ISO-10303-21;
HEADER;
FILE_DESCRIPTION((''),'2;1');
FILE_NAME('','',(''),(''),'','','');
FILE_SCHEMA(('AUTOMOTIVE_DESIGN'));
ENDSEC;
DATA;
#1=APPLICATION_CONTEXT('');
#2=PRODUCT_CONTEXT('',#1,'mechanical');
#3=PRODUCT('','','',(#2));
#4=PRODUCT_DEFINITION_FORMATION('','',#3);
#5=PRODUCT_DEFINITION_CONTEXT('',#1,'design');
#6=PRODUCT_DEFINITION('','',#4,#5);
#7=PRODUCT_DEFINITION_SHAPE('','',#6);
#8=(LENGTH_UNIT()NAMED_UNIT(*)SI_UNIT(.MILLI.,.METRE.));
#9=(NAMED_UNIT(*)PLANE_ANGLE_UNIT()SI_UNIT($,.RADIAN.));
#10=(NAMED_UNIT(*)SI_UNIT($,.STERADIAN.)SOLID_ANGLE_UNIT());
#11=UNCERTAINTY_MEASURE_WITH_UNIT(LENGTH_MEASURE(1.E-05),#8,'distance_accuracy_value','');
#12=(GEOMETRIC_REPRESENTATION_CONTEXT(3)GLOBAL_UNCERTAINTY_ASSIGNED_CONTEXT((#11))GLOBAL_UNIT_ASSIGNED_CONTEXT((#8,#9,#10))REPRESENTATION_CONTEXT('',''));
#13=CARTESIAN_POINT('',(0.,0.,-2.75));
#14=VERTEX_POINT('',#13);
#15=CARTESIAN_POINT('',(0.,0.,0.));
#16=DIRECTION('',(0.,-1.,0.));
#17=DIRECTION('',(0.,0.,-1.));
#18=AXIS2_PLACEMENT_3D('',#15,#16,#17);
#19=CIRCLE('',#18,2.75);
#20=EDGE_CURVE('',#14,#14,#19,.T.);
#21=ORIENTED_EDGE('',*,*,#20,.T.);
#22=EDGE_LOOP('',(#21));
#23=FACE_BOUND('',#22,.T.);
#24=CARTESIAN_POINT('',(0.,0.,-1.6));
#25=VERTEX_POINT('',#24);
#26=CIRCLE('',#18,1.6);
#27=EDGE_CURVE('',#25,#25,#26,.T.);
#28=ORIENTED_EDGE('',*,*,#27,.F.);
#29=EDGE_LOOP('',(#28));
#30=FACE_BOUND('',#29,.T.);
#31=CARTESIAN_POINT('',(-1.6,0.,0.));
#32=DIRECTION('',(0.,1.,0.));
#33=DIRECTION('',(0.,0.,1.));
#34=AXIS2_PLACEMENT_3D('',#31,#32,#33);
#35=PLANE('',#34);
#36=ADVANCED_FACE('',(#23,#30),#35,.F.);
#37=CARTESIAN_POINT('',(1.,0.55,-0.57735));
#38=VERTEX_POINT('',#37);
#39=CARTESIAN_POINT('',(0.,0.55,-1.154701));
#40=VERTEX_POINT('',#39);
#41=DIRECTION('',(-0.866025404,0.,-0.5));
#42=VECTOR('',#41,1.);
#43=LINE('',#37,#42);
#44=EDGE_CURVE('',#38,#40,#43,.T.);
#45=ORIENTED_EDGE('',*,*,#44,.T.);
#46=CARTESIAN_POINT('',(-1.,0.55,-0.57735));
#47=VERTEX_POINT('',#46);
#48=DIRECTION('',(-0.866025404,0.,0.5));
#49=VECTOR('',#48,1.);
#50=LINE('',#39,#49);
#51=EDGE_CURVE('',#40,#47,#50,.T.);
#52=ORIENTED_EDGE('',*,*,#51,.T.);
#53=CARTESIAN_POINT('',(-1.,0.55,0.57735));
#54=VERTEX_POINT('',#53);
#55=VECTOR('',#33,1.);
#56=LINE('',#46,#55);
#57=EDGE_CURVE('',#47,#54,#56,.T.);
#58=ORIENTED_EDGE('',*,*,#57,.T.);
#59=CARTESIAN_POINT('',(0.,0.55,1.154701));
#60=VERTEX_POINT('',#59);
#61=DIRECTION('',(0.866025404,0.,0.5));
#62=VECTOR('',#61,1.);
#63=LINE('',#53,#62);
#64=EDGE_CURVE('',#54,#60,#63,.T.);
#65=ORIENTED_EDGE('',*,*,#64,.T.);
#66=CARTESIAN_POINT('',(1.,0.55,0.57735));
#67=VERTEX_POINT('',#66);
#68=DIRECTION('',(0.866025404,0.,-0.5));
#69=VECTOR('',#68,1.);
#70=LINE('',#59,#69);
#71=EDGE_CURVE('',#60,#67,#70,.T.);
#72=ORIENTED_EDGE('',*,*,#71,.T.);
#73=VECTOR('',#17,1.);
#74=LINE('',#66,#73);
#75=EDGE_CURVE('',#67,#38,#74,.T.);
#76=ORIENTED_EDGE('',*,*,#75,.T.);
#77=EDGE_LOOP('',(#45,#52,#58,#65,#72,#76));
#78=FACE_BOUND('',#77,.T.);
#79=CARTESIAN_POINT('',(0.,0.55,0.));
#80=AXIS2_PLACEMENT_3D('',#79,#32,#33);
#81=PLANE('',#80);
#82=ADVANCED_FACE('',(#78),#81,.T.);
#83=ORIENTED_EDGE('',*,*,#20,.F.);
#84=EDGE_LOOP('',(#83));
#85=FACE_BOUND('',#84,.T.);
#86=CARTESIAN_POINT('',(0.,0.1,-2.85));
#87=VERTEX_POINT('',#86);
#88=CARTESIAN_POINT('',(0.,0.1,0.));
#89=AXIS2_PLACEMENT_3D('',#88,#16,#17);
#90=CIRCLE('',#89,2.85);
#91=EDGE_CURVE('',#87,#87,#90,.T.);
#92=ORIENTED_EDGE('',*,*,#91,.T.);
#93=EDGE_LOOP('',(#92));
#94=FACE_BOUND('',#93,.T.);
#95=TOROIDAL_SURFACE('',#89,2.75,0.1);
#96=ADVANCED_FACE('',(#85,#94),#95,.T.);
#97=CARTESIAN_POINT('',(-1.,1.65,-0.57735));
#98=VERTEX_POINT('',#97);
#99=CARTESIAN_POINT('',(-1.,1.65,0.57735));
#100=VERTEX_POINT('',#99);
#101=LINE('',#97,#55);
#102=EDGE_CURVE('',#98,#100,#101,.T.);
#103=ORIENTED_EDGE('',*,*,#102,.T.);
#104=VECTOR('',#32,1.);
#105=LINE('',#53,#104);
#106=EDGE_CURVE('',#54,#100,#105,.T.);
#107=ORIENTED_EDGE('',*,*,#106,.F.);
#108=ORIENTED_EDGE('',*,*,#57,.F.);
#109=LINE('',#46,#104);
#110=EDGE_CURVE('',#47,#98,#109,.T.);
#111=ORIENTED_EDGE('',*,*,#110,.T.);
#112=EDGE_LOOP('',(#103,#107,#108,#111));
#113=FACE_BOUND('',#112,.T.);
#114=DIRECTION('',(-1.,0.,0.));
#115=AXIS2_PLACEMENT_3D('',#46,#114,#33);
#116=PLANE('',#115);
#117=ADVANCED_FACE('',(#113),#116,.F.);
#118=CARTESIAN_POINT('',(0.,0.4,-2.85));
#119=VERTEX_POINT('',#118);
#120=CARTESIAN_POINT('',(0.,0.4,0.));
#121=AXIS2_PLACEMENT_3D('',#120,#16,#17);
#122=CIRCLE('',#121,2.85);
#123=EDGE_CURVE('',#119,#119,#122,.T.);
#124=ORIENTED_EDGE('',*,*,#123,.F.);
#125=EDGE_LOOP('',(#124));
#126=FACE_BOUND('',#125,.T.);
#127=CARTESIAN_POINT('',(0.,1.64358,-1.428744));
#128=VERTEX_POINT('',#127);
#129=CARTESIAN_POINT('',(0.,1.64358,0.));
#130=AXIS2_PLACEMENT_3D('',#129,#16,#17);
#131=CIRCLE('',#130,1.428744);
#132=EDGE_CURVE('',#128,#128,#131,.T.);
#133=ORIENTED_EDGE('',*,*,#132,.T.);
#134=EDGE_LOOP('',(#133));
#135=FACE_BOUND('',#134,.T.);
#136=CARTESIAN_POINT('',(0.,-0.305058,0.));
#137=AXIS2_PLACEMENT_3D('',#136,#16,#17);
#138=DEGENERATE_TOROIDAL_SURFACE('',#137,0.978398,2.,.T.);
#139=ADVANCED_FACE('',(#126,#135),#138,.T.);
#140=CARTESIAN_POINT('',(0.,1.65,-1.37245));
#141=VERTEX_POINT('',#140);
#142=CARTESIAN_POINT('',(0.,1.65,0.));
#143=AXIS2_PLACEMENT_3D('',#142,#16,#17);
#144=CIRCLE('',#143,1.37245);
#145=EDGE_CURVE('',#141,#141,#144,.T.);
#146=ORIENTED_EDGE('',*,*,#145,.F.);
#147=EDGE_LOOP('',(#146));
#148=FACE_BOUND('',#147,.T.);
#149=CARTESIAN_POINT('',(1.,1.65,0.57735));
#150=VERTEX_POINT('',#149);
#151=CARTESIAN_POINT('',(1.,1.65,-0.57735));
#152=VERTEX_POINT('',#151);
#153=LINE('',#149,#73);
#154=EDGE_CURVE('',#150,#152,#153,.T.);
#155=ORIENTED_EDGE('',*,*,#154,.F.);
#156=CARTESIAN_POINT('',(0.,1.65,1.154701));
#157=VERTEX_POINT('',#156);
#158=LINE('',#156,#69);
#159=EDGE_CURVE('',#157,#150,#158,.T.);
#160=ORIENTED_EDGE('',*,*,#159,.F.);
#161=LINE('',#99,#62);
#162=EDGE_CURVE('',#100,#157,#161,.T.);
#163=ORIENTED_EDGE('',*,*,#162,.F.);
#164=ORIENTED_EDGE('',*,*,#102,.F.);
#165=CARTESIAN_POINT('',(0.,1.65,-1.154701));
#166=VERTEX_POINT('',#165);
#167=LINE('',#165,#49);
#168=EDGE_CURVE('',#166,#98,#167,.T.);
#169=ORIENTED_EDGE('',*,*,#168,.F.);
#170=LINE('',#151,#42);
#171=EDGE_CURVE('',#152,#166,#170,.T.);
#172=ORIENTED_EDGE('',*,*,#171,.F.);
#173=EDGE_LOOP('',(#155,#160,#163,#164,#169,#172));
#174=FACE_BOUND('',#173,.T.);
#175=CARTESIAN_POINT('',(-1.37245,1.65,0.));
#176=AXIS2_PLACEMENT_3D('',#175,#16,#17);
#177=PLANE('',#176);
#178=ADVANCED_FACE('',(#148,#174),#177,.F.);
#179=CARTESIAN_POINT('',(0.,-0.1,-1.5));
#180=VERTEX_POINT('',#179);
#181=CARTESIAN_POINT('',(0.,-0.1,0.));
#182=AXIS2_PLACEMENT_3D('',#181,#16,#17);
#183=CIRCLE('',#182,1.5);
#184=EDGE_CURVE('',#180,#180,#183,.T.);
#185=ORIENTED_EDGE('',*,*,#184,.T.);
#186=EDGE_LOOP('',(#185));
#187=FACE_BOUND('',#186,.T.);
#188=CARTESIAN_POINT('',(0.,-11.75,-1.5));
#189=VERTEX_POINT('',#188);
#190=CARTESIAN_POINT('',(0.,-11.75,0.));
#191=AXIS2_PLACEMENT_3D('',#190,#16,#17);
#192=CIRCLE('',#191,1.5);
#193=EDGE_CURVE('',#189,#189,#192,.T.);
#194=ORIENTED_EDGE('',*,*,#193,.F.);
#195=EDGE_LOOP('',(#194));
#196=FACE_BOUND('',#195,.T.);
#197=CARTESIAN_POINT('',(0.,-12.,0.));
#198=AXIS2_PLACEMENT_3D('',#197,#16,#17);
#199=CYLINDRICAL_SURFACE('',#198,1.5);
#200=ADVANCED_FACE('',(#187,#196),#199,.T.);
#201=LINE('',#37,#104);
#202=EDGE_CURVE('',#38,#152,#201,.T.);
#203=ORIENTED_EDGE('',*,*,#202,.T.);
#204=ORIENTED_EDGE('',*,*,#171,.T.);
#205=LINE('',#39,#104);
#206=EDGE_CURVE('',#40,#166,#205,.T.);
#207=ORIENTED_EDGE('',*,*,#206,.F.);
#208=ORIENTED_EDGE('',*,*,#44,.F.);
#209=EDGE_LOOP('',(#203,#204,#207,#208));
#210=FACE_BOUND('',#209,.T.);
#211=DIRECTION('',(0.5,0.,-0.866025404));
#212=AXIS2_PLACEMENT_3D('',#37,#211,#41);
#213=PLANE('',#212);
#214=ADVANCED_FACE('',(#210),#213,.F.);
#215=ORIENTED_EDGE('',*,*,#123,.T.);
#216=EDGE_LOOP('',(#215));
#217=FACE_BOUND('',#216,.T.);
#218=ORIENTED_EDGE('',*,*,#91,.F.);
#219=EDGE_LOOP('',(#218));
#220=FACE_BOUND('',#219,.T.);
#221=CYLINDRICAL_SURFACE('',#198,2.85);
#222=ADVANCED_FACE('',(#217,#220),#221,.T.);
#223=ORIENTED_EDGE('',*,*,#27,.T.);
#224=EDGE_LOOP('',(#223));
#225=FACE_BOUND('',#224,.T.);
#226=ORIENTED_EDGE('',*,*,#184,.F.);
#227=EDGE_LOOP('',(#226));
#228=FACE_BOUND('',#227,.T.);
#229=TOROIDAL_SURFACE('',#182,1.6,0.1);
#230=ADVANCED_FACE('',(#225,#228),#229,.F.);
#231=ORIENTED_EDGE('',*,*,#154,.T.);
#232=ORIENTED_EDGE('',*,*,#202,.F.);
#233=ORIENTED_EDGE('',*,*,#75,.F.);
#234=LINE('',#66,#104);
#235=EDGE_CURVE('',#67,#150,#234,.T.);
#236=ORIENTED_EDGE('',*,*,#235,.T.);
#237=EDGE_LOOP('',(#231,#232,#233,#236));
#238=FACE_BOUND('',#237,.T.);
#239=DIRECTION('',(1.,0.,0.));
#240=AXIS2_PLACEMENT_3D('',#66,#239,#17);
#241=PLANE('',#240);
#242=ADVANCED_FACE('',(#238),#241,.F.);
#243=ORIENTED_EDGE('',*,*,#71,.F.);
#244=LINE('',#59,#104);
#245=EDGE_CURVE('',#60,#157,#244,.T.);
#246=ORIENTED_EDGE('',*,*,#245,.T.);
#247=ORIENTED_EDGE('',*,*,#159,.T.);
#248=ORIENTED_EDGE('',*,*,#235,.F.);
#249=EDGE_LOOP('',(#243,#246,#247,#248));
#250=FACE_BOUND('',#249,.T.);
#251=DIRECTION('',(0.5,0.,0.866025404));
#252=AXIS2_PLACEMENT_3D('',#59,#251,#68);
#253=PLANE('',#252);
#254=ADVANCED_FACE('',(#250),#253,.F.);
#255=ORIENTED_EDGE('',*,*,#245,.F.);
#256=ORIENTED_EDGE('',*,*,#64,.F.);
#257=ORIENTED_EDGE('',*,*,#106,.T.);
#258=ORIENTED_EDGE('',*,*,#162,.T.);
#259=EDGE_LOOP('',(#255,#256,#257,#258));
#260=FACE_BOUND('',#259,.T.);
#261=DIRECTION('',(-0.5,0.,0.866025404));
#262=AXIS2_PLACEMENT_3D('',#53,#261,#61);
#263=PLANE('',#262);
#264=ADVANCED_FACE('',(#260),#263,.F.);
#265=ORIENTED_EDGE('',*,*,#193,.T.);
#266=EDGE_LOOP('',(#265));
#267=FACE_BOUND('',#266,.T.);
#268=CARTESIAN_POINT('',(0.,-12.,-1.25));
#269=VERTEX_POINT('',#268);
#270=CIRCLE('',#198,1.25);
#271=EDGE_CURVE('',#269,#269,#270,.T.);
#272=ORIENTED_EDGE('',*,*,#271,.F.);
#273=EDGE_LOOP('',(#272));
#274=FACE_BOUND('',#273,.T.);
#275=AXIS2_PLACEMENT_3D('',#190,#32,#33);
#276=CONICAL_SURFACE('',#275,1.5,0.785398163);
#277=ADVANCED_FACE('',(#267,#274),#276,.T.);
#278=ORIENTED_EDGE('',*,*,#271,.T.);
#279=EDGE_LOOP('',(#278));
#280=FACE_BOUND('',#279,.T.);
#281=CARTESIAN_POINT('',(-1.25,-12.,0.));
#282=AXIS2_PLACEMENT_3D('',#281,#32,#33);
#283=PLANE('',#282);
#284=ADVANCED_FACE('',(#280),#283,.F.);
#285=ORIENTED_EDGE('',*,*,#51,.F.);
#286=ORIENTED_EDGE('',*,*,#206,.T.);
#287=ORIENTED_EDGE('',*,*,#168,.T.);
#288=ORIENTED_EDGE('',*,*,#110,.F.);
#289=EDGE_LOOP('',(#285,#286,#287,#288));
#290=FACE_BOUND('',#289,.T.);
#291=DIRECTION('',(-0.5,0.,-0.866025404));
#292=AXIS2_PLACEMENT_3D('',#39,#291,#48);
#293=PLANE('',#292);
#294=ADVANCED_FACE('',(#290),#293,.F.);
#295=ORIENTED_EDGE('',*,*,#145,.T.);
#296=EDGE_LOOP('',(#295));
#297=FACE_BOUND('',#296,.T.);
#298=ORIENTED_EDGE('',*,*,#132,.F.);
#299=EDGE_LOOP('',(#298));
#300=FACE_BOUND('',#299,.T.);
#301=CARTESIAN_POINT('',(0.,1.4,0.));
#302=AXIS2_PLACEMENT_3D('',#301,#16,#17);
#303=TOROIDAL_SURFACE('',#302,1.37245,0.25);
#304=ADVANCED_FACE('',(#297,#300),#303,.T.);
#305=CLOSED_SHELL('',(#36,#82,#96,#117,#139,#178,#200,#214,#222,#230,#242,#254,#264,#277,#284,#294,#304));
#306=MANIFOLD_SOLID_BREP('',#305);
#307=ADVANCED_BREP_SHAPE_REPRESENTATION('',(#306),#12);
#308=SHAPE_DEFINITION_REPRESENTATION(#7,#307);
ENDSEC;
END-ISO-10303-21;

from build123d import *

# Parameters (mm, degrees)
CUT_EXTRUDE1_DEPTH = 1.1


with BuildPart() as part:
    # Sketch1 → Revolve1 (revolve)
    with BuildSketch(Plane.XY, mode=Mode.PRIVATE) as revolve1_sk:
        with BuildLine():
            Line((-1.5, -0.1), (-1.5, -11.75))
            Line((-1.5, -11.75), (-1.25, -12))
            Line((-1.25, -12), (0, -12))
            Line((0, -12), (0, 1.65))
            Line((0, 1.65), (-1.372450351, 1.65))
            ThreePointArc((-1.372450351, 1.65), (-1.400779398, 1.648389744), (-1.42874351, 1.643579721))
            ThreePointArc((-1.42874351, 1.643579721), (-2.295395633, 1.200105689), (-2.85, 0.4))
            Line((-2.85, 0.4), (-2.85, 0.1))
            ThreePointArc((-2.85, 0.1), (-2.820710678, 0.029289322), (-2.75, 0))
            Line((-2.75, 0), (-1.6, 0))
            ThreePointArc((-1.6, 0), (-1.529289322, -0.029289322), (-1.5, -0.1))
        make_face()
    revolve(revolve1_sk.sketch.rotate(Axis((0, -12, 0), (0, 1, 0)), 270), axis=Axis((0, -12, 0), (0, 1, 0)))

    # Sketch2 → Cut-Extrude1 (cut)
    with BuildSketch(Plane(origin=(0, 1.65, 0), x_dir=(1, 0, 0), z_dir=(0, 1, 0))):
        Polygon((-1, 0.577350269), (-1, -0.577350269), (0, -1.154700538), (1, -0.577350269), (1, 0.577350269), (0, 1.154700538), align=None)
    extrude(amount=-CUT_EXTRUDE1_DEPTH, mode=Mode.SUBTRACT)


solid = part.part
